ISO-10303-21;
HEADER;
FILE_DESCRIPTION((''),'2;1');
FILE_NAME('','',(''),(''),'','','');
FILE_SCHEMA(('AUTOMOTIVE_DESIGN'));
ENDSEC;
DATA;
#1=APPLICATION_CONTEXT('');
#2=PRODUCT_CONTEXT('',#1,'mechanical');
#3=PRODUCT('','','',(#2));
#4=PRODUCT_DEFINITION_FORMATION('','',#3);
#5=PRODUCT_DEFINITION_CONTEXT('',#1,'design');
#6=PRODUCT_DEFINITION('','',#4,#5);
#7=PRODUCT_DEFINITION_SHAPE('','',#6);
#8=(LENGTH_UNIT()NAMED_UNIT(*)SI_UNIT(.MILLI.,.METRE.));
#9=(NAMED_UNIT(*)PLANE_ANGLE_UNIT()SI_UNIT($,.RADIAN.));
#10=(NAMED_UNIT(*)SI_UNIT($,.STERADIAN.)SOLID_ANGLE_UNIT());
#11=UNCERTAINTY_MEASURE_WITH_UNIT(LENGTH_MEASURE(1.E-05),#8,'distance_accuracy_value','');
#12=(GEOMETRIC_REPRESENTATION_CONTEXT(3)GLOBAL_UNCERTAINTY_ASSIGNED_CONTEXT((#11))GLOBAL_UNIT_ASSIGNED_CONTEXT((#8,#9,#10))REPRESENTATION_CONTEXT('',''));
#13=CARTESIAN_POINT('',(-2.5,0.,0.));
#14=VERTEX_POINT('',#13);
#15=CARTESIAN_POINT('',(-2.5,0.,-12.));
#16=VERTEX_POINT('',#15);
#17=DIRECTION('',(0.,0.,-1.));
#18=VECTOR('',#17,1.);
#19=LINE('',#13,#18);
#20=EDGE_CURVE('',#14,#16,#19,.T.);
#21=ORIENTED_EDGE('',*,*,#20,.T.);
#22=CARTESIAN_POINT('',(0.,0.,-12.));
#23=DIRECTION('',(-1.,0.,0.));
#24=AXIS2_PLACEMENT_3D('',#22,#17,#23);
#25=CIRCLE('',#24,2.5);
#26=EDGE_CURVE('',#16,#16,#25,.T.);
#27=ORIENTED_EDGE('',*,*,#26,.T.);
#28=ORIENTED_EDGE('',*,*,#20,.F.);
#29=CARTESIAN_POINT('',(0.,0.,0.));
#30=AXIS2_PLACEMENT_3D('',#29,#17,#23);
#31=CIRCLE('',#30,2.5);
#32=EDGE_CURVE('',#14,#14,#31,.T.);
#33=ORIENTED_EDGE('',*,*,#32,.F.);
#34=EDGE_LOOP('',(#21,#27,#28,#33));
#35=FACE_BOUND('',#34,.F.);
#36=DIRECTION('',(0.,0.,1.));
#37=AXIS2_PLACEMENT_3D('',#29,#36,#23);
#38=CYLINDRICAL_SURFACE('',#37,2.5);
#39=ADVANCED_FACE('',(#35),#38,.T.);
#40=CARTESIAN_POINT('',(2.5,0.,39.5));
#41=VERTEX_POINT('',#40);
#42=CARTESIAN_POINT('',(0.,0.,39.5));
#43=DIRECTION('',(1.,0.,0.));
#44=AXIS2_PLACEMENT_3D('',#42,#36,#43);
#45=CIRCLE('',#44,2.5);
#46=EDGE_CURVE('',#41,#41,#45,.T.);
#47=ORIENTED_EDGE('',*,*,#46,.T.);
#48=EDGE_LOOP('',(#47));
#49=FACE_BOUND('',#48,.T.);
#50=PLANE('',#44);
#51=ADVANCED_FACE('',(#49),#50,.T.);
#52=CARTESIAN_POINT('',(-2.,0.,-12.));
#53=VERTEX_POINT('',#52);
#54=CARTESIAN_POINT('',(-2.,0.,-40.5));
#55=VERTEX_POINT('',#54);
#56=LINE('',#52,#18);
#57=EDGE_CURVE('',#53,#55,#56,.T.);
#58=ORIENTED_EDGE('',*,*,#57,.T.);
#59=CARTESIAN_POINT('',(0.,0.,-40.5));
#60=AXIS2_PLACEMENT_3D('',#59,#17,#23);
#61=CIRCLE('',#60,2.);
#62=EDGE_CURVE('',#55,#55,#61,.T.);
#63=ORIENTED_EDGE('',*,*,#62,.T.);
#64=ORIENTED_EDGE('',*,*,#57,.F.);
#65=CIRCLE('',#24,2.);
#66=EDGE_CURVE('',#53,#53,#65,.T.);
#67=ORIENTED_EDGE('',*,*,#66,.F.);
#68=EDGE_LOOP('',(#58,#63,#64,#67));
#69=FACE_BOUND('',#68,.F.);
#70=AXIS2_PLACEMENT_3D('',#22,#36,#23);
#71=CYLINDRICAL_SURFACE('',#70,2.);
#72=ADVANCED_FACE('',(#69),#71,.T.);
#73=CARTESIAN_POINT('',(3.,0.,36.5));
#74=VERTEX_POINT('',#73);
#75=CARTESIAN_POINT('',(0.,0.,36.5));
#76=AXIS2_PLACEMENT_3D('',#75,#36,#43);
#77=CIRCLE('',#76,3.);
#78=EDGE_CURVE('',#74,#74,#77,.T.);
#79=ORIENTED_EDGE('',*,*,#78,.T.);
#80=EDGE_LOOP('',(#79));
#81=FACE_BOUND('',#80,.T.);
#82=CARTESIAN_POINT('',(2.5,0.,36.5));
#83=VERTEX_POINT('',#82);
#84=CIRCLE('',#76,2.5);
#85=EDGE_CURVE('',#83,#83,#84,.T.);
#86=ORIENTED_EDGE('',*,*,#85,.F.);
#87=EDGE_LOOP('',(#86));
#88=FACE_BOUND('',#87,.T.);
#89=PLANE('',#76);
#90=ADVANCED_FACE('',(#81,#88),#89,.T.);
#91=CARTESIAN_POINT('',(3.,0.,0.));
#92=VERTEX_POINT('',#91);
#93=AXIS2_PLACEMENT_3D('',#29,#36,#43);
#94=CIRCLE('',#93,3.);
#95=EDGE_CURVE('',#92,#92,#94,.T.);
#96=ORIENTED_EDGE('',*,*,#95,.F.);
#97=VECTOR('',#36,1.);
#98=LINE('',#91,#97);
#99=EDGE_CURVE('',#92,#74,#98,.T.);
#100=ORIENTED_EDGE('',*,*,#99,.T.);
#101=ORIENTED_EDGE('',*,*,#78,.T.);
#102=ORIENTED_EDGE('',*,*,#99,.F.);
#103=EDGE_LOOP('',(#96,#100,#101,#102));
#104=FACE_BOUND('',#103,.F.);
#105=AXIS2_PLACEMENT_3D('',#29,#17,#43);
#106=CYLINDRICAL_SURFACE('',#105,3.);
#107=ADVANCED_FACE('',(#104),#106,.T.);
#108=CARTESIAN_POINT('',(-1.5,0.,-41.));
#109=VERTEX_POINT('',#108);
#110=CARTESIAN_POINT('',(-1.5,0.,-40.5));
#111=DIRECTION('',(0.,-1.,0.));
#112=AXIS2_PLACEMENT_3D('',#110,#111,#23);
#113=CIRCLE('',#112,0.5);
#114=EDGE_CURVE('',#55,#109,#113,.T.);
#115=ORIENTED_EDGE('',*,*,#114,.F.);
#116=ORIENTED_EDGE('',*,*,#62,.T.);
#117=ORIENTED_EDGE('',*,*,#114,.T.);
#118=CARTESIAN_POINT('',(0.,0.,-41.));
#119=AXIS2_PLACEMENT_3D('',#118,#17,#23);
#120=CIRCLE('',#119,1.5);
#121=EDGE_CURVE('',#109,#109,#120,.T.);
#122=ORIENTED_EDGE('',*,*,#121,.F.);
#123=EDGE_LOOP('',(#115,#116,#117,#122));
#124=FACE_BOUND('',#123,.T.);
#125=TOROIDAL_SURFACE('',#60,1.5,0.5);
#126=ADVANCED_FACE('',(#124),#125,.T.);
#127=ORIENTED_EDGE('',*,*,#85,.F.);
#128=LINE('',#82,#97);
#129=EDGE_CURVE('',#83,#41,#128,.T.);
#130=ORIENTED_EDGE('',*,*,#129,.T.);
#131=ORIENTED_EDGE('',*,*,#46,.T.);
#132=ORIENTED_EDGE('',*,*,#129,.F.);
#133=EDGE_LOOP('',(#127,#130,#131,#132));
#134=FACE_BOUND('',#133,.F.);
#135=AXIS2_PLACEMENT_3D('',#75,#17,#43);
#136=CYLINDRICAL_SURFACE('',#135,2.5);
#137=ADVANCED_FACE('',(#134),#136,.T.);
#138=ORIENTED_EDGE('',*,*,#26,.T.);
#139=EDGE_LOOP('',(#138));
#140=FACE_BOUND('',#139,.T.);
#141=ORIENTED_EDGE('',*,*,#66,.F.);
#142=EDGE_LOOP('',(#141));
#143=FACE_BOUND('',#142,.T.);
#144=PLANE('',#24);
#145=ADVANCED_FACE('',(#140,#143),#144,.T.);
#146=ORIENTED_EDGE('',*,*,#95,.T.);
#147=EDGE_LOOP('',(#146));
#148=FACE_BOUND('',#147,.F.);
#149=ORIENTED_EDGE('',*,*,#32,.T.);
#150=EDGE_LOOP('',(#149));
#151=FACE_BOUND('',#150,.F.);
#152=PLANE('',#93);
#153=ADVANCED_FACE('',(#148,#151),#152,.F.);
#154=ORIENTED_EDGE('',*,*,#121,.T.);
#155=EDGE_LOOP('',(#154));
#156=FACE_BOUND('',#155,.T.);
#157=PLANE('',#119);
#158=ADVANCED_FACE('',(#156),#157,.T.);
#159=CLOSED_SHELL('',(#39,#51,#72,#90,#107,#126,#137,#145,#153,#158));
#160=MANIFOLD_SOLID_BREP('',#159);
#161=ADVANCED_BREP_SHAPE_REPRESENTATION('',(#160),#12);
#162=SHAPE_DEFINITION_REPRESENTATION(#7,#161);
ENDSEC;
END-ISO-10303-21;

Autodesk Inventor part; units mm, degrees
ref_plane "YZ Plane" through (0, 0, 0) normal (1, 0, 0) x (0, 1, 0)
ref_plane "XZ Plane" through (0, 0, 0) normal (0, 1, 0) x (-1, 0, 0)
ref_plane "XY Plane" through (0, 0, 0) normal (0, 0, 1) x (1, 0, 0)
sketch "Esquisse1" plane through (0, 0, 0) normal (0, 0, 1) x (1, 0, 0)
  circle A0 centre (0, 0) radius 3
  dimension "d0" = 6
extrude "Extrusion1" add sketch "Esquisse1" along normal blind 36.5
sketch "Esquisse2" plane through (0, 0, 36.5) normal (0, 0, 1) x (1, 0, 0)
  circle A0 centre (0, 0) radius 2.5
  dimension "d3" = 5
extrude "Extrusion2" add sketch "Esquisse2" along normal blind 3
sketch "Esquisse3" plane through (0, 0, 0) normal (0, 0, -1) x (-1, 0, 0)
  circle A0 centre (0, 0) radius 2.5
  dimension "d6" = 5
extrude "Extrusion3" add sketch "Esquisse3" along normal blind 12
sketch "Esquisse4" plane through (0, 0, -12) normal (0, 0, -1) x (-1, 0, 0)
  circle A0 centre (0, 0) radius 2
  dimension "d9" = 4
extrude "Extrusion4" add sketch "Esquisse4" along normal blind 29
thread "Filetage1" size "M4x0.7" class "6g" standard "ANSI Metric M Profile" length 9
fillet "Congé1" radius 0.5 1 edges at (2, 0, -41)
properties part number "AxeArriere" material "Acier inoxydable"
